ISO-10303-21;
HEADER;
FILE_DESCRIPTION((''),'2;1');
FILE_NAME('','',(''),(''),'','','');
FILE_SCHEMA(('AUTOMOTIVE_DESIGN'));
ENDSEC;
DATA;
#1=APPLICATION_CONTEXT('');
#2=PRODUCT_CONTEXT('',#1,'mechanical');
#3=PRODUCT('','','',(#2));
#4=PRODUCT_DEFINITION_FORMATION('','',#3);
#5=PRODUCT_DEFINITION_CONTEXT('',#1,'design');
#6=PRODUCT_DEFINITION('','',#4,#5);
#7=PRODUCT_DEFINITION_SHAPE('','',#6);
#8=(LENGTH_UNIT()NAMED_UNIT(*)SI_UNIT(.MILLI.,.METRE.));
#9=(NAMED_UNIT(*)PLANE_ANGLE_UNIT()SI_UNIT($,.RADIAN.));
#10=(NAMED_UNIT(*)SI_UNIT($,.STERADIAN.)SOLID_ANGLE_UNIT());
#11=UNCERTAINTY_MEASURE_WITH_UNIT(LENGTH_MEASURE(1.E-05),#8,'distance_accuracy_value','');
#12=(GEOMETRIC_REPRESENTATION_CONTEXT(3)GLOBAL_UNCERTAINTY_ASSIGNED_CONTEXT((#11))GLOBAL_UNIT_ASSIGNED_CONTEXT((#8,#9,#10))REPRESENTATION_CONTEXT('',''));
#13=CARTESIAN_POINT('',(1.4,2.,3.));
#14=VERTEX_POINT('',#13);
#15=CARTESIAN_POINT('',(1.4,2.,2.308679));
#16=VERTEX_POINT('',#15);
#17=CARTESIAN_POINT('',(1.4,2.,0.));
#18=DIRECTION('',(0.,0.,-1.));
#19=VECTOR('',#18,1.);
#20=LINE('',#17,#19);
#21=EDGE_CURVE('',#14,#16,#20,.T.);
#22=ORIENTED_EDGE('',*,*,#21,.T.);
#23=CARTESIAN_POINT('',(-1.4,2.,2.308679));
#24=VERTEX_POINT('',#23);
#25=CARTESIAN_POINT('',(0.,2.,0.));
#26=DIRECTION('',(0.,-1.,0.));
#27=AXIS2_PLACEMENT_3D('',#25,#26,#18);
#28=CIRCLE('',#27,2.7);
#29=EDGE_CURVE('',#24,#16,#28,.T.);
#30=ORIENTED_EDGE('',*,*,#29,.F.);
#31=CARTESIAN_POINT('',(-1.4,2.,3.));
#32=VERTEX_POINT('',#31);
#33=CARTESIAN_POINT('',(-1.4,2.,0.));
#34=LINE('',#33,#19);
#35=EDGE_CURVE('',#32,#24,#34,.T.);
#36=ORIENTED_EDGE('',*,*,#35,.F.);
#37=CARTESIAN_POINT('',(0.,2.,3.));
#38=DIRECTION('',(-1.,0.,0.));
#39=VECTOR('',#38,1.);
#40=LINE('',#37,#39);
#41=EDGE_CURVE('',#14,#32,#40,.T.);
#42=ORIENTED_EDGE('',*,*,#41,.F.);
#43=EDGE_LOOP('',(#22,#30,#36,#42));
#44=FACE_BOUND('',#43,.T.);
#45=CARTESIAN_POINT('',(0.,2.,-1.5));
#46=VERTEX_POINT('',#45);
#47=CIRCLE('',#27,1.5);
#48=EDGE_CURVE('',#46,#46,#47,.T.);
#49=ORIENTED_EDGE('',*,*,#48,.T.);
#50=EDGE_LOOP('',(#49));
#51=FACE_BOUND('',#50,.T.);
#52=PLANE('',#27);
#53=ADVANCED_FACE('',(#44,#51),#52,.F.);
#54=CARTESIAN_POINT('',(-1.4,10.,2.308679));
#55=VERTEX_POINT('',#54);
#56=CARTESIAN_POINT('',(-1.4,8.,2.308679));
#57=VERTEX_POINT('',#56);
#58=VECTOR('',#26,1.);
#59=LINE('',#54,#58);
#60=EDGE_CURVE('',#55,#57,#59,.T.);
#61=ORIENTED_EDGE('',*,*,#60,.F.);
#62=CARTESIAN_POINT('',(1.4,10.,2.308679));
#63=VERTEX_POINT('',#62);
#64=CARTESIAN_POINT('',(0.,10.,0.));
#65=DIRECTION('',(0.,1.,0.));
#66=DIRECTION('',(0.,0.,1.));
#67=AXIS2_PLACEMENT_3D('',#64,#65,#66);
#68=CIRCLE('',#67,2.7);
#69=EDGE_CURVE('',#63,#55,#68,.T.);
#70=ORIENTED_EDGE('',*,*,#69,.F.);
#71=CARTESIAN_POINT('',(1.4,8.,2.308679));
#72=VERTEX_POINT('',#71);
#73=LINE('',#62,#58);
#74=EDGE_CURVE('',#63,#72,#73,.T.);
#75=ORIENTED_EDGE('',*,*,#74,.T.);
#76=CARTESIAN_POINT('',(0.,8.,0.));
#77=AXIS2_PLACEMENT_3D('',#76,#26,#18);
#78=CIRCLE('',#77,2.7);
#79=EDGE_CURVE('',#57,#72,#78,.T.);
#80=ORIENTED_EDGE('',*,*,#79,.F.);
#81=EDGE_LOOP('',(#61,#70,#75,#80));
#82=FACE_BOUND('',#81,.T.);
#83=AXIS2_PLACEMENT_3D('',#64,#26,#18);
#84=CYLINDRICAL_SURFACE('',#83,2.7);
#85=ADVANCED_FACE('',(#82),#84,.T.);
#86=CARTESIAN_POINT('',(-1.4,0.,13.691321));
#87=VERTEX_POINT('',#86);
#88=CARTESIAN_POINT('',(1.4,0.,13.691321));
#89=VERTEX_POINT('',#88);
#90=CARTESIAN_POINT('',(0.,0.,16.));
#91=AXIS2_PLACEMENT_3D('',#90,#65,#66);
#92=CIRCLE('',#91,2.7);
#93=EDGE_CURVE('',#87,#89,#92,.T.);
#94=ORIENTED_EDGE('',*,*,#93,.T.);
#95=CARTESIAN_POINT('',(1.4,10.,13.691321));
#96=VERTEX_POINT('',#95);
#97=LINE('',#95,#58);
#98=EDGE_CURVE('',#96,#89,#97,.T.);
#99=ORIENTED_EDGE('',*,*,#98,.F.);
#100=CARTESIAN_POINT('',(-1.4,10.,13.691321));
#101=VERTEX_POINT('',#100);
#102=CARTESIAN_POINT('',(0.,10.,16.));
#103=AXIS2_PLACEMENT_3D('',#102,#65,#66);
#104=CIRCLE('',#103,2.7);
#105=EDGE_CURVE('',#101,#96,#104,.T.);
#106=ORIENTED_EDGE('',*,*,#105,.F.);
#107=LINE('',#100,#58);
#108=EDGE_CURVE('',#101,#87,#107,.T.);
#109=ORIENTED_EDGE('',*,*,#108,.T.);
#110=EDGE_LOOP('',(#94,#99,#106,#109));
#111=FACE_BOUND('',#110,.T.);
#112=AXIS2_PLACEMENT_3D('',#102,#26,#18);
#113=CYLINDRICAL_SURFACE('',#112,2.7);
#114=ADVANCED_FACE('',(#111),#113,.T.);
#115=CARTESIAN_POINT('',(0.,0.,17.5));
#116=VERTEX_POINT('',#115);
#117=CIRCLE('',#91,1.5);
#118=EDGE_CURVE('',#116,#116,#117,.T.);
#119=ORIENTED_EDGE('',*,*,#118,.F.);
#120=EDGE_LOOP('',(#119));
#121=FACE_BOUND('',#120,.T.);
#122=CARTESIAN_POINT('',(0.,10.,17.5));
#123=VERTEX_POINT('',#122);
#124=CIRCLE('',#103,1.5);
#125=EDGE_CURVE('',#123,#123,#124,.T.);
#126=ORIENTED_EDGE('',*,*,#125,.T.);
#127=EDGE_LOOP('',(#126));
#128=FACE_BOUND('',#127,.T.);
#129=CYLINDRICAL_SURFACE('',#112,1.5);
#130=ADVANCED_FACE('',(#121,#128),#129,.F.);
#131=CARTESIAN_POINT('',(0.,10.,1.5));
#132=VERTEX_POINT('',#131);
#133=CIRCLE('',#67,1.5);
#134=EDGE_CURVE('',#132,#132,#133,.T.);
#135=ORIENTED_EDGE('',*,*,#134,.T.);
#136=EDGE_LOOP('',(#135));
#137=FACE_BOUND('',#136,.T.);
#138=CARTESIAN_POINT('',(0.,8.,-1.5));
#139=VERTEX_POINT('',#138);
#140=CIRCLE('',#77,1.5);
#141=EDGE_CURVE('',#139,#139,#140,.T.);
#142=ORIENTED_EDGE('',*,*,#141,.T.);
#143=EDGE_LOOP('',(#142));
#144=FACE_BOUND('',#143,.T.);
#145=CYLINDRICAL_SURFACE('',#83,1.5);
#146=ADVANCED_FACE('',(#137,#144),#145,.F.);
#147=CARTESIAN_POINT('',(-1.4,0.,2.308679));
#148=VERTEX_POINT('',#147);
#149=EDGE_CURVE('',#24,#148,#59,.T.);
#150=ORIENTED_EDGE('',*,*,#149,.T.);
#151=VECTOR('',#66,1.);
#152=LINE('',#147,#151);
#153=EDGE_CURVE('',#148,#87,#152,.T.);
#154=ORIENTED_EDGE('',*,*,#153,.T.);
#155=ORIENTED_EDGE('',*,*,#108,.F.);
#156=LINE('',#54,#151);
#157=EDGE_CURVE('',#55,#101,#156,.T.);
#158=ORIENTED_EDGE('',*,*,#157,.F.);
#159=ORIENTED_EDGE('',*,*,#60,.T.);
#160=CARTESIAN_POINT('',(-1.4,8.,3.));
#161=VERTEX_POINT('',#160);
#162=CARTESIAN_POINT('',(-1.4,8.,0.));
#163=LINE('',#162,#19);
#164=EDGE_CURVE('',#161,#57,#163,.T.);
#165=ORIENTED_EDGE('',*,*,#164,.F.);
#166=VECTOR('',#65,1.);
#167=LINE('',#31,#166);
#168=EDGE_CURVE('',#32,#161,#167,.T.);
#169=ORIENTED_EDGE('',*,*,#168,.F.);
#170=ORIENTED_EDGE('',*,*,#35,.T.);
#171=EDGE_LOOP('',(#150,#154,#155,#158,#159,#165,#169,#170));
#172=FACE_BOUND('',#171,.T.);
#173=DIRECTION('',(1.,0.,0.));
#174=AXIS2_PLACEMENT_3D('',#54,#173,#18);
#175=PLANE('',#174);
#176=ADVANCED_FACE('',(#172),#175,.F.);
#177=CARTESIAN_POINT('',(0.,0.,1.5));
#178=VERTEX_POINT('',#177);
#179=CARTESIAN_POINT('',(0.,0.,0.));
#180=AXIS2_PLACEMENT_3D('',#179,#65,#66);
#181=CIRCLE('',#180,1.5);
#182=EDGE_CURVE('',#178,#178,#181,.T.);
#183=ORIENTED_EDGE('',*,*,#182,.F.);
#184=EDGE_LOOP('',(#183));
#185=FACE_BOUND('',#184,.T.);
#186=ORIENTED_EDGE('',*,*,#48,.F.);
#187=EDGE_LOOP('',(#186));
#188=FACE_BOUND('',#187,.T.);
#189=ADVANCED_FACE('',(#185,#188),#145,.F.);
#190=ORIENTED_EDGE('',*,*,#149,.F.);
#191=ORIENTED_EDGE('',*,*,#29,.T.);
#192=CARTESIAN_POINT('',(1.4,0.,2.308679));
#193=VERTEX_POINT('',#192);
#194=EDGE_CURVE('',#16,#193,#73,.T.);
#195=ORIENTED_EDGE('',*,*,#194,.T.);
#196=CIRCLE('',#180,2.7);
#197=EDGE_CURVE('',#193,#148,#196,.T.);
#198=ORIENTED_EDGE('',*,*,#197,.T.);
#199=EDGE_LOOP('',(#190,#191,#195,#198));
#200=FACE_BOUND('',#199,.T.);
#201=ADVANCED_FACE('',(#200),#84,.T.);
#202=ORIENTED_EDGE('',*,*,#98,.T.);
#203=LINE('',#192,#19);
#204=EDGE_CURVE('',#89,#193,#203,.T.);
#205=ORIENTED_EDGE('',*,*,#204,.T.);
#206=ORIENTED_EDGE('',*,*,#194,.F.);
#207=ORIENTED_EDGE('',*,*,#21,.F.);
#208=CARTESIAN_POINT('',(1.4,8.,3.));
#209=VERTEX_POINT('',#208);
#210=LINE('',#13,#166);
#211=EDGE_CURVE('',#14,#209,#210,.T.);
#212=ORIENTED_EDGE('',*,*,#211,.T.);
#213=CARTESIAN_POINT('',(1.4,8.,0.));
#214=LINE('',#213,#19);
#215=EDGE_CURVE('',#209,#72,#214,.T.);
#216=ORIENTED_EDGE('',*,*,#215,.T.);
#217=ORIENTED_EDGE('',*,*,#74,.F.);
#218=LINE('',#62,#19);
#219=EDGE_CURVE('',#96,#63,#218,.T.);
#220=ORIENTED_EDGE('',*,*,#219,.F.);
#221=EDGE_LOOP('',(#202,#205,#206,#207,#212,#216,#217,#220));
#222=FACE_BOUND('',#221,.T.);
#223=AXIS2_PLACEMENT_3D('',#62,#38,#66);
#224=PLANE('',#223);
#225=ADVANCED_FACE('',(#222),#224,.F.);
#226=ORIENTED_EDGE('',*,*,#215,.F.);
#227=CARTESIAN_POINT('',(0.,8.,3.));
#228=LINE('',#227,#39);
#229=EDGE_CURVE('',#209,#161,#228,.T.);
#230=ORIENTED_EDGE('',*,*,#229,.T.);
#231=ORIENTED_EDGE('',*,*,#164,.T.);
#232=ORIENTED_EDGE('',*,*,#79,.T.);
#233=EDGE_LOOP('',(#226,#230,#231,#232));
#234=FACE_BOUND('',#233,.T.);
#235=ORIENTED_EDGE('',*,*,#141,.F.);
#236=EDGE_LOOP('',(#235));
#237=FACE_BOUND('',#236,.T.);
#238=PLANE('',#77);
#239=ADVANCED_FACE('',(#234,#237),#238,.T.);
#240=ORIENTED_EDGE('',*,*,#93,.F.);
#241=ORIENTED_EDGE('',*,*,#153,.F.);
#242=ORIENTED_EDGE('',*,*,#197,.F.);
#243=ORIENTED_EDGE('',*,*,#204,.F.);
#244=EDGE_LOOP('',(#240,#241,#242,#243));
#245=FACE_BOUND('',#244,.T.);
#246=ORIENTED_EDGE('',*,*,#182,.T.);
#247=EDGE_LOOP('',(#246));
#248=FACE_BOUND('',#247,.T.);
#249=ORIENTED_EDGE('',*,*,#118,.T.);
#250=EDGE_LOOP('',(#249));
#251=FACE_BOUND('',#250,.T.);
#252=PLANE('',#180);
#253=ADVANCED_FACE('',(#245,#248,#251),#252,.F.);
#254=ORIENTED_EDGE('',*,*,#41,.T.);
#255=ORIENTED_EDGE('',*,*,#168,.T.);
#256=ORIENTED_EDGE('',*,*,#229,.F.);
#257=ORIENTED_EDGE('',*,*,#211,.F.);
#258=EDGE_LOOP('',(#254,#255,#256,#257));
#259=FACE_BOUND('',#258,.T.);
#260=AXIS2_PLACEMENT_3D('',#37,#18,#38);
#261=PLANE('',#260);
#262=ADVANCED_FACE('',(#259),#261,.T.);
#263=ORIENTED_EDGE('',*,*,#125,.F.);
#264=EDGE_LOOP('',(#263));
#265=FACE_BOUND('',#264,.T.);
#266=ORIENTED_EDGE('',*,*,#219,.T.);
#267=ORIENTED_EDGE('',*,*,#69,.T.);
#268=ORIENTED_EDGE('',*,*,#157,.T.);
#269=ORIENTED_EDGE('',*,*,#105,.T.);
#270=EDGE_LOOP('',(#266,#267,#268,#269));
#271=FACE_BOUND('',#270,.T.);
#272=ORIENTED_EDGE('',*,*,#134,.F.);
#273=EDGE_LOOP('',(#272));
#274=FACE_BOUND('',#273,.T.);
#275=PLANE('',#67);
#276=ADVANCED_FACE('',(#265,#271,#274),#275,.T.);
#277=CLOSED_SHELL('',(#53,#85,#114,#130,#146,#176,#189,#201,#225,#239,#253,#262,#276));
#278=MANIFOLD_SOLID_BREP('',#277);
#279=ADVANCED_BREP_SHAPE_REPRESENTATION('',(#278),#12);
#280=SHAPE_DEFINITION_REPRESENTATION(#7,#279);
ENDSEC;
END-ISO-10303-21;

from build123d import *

# Parameters (mm, degrees)
SKETCH_1_R               = 1.5
EXTRUDE_1_DEPTH          = 10
CUT_EXTRUDE_1_DEPTH      = 3
CUT_EXTRUDE_1_DEPTH_BACK = 3
SKETCH_2_R               = 2.7


with BuildPart() as part:
    # 草图1 → 凸台-拉伸1 (new body)
    with BuildSketch(Plane(origin=(0, 0, 0), x_dir=(1, 0, 0), z_dir=(0, 1, 0))):
        with BuildLine():
            Line((-1.4, -2.308679276), (-1.4, -13.691320724))
            ThreePointArc((-1.4, -13.691320724), (0, -18.7), (1.4, -13.691320724))
            Line((1.4, -13.691320724), (1.4, -2.308679276))
            ThreePointArc((1.4, -2.308679276), (0, 2.7), (-1.4, -2.308679276))
        make_face()
        with Locations(Location((0, 0, 0), (0, 0, 270))):
            Circle(SKETCH_1_R, mode=Mode.SUBTRACT)
        with Locations(Location((0, -16, 0), (0, 0, 270))):
            Circle(SKETCH_1_R, mode=Mode.SUBTRACT)
    extrude(amount=EXTRUDE_1_DEPTH)

    # 草图2 → 切除-拉伸1 (cut, two sides: drawn at the far end of the back side and taken through both)
    with BuildSketch(Plane(origin=(0, 5, 0), x_dir=(-1, 0, 0), z_dir=(0, -1, 0)).offset(-CUT_EXTRUDE_1_DEPTH_BACK)):
        with BuildLine():
            Line((-1.4, -2.308679276), (-1.4, -3))
            Line((-1.4, -3), (1.4, -3))
            Line((1.4, -3), (1.4, -2.308679276))
            ThreePointArc((1.4, -2.308679276), (0, -2.7), (-1.4, -2.308679276))
        make_face()
        Circle(SKETCH_2_R)
    extrude(amount=CUT_EXTRUDE_1_DEPTH + CUT_EXTRUDE_1_DEPTH_BACK, mode=Mode.SUBTRACT)


solid = part.part
